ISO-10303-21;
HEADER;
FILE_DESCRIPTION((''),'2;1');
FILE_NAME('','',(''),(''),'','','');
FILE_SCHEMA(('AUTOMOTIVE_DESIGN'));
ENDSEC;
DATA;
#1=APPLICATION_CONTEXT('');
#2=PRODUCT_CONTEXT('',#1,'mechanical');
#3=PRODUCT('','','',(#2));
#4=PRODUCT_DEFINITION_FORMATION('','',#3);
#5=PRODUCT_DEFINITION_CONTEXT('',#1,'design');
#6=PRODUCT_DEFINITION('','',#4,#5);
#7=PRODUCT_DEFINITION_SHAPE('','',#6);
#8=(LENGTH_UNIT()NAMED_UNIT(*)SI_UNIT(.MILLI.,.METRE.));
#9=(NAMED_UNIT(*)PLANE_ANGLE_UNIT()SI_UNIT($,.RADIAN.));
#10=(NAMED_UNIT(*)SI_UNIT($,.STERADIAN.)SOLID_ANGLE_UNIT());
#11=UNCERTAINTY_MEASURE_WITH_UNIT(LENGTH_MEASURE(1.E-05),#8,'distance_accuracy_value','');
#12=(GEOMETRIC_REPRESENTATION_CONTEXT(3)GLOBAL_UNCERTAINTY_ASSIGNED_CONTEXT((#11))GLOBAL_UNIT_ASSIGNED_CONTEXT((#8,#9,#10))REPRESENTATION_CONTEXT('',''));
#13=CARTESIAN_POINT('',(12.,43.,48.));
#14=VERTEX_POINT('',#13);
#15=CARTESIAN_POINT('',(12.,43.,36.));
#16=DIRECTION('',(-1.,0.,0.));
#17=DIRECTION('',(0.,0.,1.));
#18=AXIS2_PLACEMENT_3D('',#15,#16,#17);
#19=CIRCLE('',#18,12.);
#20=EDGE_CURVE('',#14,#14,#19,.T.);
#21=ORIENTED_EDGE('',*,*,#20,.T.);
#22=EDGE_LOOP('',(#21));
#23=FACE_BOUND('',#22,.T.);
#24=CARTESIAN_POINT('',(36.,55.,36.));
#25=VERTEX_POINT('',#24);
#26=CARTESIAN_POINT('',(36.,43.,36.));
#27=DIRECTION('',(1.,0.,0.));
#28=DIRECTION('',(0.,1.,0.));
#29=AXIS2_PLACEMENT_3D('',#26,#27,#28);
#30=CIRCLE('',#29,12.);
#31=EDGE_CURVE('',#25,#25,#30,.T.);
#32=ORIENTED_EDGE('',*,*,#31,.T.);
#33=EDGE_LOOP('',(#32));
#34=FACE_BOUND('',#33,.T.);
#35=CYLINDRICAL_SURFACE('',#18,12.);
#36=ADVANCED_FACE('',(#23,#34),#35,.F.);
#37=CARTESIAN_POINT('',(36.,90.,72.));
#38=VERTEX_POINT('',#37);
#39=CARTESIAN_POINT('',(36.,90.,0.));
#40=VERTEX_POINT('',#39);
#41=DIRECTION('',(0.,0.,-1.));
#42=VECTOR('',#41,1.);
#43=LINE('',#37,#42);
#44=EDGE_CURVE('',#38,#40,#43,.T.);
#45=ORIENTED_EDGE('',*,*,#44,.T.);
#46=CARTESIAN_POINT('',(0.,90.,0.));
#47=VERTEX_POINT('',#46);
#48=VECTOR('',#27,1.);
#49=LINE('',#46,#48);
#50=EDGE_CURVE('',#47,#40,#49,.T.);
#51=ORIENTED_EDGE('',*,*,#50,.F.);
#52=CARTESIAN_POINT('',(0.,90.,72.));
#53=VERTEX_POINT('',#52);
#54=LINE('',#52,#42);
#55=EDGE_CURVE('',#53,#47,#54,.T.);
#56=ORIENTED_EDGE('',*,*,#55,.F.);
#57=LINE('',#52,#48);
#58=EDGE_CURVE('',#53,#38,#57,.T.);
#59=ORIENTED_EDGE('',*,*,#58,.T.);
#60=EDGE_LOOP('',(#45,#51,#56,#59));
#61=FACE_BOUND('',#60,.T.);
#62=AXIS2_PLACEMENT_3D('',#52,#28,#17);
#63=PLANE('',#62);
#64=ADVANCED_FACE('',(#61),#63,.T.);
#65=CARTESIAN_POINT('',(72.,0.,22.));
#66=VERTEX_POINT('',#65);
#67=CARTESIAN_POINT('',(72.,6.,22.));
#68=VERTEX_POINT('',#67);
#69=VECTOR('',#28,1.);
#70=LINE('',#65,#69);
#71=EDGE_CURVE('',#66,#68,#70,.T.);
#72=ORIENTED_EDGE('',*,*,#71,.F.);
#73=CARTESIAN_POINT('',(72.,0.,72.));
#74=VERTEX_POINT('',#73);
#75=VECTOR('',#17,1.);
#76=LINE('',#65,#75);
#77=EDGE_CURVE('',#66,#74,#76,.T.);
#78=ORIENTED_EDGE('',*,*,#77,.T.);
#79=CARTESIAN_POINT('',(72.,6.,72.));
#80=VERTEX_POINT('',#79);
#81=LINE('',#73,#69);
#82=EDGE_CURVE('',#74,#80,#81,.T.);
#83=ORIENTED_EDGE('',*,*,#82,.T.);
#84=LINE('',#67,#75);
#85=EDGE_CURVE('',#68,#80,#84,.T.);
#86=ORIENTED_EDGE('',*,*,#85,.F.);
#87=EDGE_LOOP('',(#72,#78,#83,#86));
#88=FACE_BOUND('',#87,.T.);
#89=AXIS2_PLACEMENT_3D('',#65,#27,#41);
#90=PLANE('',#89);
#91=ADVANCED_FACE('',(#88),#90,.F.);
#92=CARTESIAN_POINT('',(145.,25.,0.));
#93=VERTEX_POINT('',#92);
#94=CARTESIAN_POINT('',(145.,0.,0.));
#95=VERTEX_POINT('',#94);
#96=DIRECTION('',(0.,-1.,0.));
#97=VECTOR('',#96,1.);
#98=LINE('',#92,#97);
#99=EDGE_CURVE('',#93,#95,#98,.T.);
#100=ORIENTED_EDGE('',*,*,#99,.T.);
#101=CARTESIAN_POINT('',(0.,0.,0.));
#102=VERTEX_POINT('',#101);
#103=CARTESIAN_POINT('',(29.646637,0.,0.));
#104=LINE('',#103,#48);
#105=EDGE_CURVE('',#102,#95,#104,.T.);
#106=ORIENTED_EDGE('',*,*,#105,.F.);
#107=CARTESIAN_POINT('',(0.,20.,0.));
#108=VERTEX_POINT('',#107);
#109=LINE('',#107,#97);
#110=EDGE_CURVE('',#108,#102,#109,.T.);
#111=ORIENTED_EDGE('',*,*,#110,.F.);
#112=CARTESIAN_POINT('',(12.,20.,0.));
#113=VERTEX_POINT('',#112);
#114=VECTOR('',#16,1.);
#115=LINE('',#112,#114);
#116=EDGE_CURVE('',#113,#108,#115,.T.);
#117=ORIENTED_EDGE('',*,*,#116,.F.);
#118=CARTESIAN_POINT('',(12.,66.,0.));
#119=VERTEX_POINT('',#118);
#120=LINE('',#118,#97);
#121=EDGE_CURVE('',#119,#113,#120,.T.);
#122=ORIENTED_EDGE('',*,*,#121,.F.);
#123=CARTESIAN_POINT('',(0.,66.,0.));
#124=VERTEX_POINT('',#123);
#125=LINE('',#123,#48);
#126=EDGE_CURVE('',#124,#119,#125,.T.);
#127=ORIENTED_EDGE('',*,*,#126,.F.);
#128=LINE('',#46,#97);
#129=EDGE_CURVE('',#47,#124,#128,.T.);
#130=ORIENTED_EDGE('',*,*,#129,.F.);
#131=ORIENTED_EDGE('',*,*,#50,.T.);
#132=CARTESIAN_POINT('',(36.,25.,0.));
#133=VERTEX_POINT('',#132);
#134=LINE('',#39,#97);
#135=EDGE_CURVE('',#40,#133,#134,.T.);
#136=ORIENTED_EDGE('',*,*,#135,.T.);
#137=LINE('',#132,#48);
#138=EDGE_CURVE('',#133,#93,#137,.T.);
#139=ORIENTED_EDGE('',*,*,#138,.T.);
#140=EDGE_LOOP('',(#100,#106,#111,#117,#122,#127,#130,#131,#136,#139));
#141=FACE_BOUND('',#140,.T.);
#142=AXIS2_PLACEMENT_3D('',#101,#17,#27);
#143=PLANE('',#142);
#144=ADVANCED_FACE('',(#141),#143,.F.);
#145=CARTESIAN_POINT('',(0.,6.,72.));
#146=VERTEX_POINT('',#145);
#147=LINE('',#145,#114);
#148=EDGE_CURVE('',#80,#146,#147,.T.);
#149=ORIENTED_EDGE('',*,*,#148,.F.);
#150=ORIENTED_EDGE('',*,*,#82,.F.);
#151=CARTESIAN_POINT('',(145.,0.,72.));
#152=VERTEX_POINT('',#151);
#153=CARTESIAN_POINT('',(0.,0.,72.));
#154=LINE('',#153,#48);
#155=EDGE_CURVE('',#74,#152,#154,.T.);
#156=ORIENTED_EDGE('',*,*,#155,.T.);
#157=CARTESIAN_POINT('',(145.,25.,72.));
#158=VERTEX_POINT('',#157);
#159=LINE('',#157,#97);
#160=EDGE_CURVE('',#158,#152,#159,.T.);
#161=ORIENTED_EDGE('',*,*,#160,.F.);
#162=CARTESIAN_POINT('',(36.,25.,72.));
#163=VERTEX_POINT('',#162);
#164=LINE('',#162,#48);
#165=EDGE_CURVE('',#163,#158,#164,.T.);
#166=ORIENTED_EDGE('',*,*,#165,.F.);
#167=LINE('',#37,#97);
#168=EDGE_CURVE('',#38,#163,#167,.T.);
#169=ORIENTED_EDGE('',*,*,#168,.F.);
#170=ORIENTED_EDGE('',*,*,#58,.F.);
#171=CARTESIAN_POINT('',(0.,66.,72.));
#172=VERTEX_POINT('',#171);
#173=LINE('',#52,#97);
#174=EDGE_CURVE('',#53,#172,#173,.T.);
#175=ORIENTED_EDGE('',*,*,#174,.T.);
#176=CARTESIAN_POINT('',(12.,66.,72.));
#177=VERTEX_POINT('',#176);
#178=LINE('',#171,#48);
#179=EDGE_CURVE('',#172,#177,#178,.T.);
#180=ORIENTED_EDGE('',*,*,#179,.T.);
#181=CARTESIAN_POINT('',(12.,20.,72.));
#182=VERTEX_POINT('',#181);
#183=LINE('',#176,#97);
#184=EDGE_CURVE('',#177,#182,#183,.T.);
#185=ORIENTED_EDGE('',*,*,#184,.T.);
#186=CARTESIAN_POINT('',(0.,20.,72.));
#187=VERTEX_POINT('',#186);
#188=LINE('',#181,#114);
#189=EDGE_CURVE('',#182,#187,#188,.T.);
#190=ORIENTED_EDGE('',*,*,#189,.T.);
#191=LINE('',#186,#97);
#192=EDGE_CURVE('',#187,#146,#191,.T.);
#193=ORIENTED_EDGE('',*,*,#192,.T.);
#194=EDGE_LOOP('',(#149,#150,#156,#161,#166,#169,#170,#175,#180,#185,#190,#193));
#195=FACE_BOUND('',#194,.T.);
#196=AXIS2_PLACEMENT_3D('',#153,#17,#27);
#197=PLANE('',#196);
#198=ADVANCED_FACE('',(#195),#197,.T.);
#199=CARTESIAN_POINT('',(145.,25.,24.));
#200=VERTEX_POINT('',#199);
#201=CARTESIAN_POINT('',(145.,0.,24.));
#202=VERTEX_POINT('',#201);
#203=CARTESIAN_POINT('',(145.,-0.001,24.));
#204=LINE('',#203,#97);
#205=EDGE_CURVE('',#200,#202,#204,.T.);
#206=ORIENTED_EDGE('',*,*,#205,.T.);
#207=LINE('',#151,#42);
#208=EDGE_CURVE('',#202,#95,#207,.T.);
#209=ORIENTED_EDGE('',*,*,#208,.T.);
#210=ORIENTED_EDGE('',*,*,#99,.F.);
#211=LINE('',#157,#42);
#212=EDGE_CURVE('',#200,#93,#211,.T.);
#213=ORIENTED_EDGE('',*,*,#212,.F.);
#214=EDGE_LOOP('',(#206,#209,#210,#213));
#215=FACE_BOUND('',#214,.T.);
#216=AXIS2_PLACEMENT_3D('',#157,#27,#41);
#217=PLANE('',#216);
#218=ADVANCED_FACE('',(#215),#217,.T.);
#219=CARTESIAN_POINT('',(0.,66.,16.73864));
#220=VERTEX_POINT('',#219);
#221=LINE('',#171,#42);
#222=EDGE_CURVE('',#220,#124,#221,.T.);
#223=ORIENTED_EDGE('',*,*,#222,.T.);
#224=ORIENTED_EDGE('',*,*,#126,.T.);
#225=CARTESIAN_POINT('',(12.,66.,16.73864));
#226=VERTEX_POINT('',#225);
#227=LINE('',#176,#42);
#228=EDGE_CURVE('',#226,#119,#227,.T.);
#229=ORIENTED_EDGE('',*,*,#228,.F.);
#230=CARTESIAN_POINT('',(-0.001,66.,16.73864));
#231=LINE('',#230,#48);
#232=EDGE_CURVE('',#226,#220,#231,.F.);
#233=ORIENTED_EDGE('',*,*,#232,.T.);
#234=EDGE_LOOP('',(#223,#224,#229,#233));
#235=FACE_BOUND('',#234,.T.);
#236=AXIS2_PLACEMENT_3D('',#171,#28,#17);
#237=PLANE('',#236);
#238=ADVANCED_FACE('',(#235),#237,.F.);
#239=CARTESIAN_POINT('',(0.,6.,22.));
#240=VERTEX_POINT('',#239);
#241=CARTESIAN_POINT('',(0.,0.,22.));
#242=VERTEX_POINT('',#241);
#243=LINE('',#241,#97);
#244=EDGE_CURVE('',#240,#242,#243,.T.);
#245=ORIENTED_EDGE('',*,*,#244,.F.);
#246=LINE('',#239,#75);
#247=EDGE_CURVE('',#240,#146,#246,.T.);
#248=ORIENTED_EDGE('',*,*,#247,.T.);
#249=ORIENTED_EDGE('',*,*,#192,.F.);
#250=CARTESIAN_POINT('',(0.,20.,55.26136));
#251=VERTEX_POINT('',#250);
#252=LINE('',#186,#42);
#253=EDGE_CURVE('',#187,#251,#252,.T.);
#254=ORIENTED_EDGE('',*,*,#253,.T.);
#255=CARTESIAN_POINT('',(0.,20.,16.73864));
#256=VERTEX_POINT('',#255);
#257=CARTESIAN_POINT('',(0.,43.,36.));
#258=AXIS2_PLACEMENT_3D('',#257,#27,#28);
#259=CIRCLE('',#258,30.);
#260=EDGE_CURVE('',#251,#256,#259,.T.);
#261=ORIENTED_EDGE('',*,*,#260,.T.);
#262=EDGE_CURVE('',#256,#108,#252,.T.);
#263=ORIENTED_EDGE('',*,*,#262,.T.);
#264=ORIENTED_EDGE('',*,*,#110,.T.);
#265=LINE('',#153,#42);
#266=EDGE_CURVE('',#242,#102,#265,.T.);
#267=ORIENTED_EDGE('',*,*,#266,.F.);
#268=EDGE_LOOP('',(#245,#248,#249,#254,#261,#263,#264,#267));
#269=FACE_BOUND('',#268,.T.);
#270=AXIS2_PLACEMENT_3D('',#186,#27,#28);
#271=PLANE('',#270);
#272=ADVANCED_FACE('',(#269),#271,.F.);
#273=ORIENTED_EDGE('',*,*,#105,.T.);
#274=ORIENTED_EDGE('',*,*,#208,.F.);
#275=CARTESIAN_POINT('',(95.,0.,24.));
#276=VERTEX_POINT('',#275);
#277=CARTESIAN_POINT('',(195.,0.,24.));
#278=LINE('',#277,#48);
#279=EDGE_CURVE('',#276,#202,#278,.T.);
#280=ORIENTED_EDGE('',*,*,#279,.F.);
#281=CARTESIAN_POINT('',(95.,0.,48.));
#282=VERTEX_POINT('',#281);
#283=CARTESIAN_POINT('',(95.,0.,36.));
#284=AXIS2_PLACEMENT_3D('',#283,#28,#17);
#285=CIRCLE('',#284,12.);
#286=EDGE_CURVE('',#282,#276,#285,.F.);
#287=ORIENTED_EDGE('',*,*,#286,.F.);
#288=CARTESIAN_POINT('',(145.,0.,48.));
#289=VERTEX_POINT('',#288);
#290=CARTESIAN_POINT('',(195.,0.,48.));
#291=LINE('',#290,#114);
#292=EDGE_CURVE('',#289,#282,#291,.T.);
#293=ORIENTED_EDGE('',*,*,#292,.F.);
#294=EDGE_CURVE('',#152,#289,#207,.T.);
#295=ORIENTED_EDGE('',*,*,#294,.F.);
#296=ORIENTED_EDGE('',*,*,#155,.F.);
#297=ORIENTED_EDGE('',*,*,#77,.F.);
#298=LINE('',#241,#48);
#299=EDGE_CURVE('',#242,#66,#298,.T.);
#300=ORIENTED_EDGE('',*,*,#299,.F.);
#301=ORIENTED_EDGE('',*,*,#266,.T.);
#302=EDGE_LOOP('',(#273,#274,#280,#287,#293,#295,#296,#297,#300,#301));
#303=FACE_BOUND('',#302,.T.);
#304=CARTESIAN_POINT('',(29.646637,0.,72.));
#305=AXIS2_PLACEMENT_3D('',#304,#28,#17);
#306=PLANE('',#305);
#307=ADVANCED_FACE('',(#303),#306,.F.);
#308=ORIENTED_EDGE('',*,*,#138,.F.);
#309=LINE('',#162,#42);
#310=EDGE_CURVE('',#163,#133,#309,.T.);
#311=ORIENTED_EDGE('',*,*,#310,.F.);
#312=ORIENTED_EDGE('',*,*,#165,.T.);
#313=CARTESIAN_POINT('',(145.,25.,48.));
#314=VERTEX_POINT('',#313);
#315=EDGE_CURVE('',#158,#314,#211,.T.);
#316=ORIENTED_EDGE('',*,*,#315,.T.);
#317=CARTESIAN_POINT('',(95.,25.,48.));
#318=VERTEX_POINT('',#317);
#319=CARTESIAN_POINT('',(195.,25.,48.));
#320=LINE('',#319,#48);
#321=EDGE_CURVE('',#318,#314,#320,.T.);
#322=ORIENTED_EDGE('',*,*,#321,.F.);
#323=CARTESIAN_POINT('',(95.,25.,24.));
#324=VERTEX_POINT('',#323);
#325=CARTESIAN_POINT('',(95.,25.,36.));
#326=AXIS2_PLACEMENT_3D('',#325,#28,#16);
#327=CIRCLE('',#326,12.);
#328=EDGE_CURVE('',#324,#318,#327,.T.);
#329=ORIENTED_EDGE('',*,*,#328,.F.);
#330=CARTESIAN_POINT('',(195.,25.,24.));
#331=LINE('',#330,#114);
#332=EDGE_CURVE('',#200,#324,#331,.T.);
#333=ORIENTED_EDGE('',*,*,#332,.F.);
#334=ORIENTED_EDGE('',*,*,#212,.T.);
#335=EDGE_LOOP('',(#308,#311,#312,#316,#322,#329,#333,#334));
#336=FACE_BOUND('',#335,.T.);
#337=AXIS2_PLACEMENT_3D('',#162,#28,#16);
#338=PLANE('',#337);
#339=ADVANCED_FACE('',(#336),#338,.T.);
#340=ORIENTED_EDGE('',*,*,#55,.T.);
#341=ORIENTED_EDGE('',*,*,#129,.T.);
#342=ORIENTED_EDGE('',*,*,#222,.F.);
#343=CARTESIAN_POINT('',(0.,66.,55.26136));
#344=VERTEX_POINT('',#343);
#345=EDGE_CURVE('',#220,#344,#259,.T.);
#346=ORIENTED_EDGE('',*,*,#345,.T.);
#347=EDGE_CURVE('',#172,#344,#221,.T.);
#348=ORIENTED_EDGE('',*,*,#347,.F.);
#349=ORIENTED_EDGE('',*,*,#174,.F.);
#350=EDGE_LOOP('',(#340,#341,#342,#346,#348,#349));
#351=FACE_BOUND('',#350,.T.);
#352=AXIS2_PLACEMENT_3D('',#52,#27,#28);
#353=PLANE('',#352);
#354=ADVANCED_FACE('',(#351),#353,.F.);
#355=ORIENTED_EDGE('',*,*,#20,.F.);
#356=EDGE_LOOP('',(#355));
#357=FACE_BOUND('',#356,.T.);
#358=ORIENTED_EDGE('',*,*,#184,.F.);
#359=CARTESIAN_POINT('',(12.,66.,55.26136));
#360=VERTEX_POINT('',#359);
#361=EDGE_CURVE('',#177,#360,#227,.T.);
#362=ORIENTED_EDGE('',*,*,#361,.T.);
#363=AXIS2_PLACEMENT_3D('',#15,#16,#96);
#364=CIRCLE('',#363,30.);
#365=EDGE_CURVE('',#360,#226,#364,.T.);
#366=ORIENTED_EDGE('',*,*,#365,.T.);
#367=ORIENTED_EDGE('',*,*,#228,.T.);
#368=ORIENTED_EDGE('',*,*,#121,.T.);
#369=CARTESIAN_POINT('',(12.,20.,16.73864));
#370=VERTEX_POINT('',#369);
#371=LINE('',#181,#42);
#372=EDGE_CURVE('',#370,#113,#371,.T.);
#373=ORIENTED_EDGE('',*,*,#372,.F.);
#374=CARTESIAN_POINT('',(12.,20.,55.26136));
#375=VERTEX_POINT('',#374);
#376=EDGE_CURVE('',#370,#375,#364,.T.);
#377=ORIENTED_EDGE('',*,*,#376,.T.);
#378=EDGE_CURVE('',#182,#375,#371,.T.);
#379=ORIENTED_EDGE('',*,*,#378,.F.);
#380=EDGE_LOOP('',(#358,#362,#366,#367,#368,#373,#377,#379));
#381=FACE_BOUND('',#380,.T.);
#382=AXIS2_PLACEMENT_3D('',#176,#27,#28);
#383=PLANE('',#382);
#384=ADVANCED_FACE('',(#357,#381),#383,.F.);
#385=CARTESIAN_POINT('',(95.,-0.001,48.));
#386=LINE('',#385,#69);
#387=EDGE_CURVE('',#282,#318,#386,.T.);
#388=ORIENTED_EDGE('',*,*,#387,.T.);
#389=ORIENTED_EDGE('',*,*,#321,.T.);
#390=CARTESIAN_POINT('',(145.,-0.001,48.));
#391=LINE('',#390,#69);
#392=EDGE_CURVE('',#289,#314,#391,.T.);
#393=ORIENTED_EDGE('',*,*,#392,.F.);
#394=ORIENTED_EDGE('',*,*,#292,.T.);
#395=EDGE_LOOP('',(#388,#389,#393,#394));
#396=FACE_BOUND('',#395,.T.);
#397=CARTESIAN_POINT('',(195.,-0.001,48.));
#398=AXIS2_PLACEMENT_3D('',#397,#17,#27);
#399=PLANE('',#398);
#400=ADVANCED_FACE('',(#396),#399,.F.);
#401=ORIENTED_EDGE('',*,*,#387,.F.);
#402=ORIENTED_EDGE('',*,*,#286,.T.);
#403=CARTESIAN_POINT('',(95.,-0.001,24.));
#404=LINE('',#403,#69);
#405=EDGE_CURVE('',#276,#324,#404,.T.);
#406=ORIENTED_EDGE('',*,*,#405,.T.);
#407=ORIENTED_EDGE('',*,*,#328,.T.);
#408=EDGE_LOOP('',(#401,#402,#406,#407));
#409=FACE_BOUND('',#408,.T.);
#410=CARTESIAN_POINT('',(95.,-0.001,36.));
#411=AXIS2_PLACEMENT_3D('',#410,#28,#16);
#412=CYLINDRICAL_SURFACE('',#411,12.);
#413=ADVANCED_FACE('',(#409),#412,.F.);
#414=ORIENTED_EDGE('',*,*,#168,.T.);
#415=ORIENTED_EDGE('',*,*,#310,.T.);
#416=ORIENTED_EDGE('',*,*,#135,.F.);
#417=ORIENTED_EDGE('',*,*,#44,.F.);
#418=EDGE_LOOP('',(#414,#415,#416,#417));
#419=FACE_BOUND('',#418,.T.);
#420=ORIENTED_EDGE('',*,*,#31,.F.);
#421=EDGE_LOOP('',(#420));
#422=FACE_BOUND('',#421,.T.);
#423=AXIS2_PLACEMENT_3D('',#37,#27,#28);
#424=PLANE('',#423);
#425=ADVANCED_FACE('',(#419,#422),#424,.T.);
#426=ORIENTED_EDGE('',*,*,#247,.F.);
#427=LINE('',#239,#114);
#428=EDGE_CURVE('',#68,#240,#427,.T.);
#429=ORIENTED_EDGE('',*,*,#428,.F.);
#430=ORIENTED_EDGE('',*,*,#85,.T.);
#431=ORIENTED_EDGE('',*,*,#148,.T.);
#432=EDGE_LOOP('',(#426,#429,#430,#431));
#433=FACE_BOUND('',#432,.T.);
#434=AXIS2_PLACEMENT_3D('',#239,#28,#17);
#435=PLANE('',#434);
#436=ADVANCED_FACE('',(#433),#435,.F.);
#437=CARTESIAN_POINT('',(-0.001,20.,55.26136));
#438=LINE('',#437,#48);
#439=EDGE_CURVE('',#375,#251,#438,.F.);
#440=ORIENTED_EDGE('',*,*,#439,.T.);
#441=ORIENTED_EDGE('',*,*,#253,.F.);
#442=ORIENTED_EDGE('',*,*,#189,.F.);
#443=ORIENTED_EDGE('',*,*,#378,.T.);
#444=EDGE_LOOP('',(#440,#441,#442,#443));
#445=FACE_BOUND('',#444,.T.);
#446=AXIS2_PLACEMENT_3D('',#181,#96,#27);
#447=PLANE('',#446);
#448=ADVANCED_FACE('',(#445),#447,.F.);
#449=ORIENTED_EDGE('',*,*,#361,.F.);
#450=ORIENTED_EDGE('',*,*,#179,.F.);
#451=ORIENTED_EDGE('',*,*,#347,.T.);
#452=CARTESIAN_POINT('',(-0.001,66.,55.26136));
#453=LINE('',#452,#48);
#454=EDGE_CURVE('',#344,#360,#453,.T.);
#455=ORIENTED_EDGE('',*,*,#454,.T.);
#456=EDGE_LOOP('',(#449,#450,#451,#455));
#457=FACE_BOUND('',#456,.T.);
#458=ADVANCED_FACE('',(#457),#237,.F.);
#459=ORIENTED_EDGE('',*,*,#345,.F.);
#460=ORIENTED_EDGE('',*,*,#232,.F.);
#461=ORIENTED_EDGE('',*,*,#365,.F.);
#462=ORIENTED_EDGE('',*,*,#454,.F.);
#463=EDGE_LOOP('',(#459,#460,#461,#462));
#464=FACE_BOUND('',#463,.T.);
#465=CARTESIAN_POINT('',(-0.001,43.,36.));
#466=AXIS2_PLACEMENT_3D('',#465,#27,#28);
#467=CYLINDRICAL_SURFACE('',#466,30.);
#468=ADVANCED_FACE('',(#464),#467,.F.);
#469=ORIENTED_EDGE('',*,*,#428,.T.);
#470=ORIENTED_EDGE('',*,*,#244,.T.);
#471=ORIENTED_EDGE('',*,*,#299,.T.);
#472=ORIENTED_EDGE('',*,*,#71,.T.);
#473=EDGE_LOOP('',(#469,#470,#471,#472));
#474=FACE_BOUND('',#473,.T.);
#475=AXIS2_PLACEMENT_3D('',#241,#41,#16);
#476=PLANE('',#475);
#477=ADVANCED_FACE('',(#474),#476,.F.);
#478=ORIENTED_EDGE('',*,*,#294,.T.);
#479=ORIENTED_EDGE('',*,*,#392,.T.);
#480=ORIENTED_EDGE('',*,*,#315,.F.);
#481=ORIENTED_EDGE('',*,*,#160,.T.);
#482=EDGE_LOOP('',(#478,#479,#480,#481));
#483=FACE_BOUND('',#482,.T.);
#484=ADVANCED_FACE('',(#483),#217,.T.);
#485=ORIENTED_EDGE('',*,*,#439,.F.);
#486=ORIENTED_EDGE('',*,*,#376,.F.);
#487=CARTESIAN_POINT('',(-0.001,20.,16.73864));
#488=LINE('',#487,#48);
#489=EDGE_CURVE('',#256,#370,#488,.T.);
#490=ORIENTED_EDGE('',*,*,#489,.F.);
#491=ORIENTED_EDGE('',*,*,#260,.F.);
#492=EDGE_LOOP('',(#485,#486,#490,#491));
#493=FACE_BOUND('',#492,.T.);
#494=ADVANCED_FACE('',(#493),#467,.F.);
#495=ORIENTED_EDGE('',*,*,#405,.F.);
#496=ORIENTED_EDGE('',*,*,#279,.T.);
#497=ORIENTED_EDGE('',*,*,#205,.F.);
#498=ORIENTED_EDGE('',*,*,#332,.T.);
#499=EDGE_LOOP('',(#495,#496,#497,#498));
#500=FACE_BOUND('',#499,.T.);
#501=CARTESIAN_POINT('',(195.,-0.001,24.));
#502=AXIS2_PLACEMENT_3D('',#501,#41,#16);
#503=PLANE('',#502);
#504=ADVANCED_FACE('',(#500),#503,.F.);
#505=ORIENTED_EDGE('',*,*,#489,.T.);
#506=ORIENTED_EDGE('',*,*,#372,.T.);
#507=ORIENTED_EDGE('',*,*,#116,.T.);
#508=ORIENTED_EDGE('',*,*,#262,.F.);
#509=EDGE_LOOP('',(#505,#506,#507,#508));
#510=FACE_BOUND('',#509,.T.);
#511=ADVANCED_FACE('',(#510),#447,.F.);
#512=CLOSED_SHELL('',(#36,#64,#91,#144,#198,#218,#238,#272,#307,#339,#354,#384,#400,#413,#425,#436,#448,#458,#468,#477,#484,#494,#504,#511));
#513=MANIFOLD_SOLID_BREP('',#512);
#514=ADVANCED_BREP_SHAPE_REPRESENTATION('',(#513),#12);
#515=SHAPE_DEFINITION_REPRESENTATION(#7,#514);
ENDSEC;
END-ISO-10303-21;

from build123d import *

# Parameters (mm, degrees)
BOSS_EXTRUDE1_DEPTH    = 72
SKETCH2_W              = 72
SKETCH2_H              = 6
CUT_EXTRUDE1_DEPTH     = 50
SKETCH3_R              = 30
CUT_EXTRUDE2_DEPTH     = 12
F_20_0MM_DOWEL_HOLE1_D = 24
CUT_EXTRUDE3_REACH     = 176.453


with BuildPart() as part:
    # Sketch1 → Boss-Extrude1 (new body)
    with BuildSketch(Plane.XY):
        Polygon((0, 66), (12, 66), (12, 20), (0, 20), (0, 0), (29.646636928, 0), (145, 0), (145, 25), (36, 25), (36, 90), (0, 90), align=None)
    extrude(amount=BOSS_EXTRUDE1_DEPTH)

    # Sketch2 → Cut-Extrude1 (cut)
    with BuildSketch(Plane.XY.offset(72)):
        with Locations((36, 3)):
            Rectangle(SKETCH2_W, SKETCH2_H)
    extrude(amount=-CUT_EXTRUDE1_DEPTH, mode=Mode.SUBTRACT)

    # Sketch3 → Cut-Extrude2 (cut)
    with BuildSketch(Plane.ZY.offset(-12)):
        with Locations((36, 43)):
            Circle(SKETCH3_R)
    extrude(amount=CUT_EXTRUDE2_DEPTH, mode=Mode.SUBTRACT)

    # Ø20.0mm Dowel Hole1 (through all)
    with Locations(Plane.ZY.offset(-12)):
        with Locations((36, 43)):
            Hole(F_20_0MM_DOWEL_HOLE1_D / 2)

    # Sketch8 → Cut-Extrude3 (cut, up to next)
    with BuildSketch(Plane(origin=(0, 25, 0), x_dir=(1, 0, 0), z_dir=(0, 1, 0)), mode=Mode.PRIVATE) as cut_extrude3_sk1:
        with BuildLine():
            Line((195, -48), (95, -48))
            ThreePointArc((95, -48), (83, -36), (95, -24))
            Line((95, -24), (195, -24))
            ThreePointArc((195, -24), (207, -36), (195, -48))
        make_face()
    cut_extrude3_tool1 = extrude(cut_extrude3_sk1.sketch, amount=-CUT_EXTRUDE3_REACH, mode=Mode.PRIVATE) & part.part
    add(cut_extrude3_tool1.solids().sort_by_distance((145, 25, 36))[0], mode=Mode.SUBTRACT)


solid = part.part
